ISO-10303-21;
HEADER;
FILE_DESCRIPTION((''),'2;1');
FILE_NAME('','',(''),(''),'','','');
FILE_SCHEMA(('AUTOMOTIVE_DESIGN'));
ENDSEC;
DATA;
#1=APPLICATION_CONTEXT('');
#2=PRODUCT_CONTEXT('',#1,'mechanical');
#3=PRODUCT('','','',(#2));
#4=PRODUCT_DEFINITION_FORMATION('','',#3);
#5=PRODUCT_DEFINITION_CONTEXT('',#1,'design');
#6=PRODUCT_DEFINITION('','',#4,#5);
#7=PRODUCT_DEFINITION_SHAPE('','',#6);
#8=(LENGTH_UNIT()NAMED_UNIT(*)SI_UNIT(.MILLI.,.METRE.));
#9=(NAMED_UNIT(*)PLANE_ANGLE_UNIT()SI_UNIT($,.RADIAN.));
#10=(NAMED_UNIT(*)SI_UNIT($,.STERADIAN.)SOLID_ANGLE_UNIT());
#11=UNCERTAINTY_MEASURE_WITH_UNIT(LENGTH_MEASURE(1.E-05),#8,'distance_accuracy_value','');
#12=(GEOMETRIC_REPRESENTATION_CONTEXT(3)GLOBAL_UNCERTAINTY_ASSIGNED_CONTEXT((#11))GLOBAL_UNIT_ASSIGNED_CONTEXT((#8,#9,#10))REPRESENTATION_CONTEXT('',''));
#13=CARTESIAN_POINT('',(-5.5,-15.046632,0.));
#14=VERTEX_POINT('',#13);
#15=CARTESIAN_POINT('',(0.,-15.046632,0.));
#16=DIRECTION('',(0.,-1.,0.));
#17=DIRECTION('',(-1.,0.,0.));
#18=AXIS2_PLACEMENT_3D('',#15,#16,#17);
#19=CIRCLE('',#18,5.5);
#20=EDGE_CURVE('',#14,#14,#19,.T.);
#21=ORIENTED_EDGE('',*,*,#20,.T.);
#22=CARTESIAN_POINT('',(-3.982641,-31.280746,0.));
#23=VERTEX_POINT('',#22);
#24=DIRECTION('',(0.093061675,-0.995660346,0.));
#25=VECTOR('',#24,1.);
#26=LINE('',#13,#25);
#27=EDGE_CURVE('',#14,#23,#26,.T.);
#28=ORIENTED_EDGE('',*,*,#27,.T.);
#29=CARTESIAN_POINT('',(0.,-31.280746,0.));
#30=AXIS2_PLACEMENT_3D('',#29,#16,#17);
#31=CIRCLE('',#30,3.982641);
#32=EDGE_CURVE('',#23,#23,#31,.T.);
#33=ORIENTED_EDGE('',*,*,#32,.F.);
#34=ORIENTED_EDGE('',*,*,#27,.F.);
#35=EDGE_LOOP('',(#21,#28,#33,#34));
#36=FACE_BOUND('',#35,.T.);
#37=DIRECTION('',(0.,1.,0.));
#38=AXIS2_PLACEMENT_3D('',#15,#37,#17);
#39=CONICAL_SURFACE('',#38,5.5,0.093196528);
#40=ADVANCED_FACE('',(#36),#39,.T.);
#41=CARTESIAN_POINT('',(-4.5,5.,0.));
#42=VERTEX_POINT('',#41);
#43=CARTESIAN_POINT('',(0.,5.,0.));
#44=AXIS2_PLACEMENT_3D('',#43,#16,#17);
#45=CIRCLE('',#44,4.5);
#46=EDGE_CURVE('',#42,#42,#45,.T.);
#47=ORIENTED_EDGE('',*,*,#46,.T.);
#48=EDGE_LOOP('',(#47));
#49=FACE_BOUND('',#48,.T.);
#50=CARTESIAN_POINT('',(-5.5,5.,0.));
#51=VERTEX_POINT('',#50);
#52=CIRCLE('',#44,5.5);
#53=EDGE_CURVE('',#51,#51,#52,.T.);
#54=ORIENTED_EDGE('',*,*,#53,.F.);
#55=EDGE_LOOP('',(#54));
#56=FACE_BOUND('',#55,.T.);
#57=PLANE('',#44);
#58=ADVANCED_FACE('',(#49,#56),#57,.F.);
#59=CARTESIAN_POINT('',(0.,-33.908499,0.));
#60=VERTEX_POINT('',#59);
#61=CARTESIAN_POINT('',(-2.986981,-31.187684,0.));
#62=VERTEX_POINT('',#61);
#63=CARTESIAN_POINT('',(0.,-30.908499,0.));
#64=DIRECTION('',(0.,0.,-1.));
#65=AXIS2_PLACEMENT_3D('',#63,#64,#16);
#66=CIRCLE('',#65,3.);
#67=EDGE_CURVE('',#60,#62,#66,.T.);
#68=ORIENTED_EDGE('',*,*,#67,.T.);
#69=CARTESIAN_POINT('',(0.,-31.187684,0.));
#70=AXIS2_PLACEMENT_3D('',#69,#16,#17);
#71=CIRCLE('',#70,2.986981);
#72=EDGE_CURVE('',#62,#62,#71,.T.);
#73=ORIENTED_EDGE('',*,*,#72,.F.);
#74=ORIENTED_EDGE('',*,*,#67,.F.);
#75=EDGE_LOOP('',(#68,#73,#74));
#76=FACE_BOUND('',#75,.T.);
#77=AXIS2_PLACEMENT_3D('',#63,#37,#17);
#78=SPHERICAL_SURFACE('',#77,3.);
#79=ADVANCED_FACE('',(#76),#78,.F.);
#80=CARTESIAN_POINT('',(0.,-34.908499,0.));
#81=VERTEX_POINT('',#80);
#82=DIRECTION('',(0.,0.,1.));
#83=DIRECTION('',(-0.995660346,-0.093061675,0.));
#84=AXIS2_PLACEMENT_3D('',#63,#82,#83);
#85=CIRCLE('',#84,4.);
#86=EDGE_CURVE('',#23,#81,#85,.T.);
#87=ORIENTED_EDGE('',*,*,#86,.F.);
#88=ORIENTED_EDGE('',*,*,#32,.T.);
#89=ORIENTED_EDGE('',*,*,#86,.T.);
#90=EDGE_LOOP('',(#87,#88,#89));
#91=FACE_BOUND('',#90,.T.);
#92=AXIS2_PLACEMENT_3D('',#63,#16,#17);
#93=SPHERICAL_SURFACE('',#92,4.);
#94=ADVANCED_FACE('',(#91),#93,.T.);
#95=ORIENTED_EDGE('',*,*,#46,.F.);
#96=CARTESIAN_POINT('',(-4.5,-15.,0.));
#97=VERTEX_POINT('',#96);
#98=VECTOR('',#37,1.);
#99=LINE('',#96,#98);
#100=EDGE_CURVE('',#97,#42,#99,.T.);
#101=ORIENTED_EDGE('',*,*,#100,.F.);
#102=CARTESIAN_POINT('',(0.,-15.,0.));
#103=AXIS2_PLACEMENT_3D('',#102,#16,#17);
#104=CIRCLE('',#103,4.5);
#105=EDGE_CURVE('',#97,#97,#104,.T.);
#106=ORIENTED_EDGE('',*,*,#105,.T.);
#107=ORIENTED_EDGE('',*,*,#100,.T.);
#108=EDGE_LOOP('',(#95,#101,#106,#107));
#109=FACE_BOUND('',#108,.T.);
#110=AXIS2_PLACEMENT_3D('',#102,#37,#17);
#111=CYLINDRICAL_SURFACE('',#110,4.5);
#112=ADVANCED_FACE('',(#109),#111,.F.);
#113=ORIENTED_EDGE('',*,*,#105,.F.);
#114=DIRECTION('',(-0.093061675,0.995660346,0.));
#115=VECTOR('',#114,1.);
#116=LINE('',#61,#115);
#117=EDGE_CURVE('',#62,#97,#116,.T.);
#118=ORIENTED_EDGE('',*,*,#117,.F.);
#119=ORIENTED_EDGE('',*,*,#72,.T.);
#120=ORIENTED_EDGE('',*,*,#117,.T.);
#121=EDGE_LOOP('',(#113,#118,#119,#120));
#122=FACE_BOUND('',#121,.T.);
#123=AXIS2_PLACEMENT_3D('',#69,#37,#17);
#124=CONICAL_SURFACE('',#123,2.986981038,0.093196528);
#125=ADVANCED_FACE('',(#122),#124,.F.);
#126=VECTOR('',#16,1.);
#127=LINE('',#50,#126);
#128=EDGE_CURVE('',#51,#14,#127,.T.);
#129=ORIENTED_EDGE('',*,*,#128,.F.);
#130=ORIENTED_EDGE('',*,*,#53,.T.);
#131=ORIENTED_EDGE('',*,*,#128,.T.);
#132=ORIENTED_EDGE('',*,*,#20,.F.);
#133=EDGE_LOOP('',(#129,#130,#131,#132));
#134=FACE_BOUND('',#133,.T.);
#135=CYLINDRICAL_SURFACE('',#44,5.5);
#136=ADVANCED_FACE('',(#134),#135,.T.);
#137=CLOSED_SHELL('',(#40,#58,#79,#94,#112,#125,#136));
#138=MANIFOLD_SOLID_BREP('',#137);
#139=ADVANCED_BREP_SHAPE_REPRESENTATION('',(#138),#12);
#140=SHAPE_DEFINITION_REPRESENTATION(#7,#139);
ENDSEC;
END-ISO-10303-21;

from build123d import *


with BuildPart() as f2:
    # F1 (on Top) → F2 (revolve)
    with BuildSketch(Plane.XY):
        with BuildLine():
            Line((-4.5, -15), (-4.5, 5))
            Line((-4.5, 5), (-5.5, 5))
            Line((-5.5, 5), (-5.5, -15.046632021))
            Line((-5.5, -15.046632021), (-3.9826413841, -31.2807456134))
            ThreePointArc((-3.9826413841, -31.2807456134), (-2.6936047593, -33.865607873), (0, -34.908498913))
            Line((0, -34.908498913), (0, -33.908498913))
            ThreePointArc((0, -33.908498913), (-2.0202035695, -33.126330633), (-2.986981038, -31.1876839383))
            Line((-2.986981038, -31.1876839383), (-4.5, -15))
        make_face()
    revolve(axis=Axis((0, 0, 0), (0, -1, 0)))


solid = f2.part
